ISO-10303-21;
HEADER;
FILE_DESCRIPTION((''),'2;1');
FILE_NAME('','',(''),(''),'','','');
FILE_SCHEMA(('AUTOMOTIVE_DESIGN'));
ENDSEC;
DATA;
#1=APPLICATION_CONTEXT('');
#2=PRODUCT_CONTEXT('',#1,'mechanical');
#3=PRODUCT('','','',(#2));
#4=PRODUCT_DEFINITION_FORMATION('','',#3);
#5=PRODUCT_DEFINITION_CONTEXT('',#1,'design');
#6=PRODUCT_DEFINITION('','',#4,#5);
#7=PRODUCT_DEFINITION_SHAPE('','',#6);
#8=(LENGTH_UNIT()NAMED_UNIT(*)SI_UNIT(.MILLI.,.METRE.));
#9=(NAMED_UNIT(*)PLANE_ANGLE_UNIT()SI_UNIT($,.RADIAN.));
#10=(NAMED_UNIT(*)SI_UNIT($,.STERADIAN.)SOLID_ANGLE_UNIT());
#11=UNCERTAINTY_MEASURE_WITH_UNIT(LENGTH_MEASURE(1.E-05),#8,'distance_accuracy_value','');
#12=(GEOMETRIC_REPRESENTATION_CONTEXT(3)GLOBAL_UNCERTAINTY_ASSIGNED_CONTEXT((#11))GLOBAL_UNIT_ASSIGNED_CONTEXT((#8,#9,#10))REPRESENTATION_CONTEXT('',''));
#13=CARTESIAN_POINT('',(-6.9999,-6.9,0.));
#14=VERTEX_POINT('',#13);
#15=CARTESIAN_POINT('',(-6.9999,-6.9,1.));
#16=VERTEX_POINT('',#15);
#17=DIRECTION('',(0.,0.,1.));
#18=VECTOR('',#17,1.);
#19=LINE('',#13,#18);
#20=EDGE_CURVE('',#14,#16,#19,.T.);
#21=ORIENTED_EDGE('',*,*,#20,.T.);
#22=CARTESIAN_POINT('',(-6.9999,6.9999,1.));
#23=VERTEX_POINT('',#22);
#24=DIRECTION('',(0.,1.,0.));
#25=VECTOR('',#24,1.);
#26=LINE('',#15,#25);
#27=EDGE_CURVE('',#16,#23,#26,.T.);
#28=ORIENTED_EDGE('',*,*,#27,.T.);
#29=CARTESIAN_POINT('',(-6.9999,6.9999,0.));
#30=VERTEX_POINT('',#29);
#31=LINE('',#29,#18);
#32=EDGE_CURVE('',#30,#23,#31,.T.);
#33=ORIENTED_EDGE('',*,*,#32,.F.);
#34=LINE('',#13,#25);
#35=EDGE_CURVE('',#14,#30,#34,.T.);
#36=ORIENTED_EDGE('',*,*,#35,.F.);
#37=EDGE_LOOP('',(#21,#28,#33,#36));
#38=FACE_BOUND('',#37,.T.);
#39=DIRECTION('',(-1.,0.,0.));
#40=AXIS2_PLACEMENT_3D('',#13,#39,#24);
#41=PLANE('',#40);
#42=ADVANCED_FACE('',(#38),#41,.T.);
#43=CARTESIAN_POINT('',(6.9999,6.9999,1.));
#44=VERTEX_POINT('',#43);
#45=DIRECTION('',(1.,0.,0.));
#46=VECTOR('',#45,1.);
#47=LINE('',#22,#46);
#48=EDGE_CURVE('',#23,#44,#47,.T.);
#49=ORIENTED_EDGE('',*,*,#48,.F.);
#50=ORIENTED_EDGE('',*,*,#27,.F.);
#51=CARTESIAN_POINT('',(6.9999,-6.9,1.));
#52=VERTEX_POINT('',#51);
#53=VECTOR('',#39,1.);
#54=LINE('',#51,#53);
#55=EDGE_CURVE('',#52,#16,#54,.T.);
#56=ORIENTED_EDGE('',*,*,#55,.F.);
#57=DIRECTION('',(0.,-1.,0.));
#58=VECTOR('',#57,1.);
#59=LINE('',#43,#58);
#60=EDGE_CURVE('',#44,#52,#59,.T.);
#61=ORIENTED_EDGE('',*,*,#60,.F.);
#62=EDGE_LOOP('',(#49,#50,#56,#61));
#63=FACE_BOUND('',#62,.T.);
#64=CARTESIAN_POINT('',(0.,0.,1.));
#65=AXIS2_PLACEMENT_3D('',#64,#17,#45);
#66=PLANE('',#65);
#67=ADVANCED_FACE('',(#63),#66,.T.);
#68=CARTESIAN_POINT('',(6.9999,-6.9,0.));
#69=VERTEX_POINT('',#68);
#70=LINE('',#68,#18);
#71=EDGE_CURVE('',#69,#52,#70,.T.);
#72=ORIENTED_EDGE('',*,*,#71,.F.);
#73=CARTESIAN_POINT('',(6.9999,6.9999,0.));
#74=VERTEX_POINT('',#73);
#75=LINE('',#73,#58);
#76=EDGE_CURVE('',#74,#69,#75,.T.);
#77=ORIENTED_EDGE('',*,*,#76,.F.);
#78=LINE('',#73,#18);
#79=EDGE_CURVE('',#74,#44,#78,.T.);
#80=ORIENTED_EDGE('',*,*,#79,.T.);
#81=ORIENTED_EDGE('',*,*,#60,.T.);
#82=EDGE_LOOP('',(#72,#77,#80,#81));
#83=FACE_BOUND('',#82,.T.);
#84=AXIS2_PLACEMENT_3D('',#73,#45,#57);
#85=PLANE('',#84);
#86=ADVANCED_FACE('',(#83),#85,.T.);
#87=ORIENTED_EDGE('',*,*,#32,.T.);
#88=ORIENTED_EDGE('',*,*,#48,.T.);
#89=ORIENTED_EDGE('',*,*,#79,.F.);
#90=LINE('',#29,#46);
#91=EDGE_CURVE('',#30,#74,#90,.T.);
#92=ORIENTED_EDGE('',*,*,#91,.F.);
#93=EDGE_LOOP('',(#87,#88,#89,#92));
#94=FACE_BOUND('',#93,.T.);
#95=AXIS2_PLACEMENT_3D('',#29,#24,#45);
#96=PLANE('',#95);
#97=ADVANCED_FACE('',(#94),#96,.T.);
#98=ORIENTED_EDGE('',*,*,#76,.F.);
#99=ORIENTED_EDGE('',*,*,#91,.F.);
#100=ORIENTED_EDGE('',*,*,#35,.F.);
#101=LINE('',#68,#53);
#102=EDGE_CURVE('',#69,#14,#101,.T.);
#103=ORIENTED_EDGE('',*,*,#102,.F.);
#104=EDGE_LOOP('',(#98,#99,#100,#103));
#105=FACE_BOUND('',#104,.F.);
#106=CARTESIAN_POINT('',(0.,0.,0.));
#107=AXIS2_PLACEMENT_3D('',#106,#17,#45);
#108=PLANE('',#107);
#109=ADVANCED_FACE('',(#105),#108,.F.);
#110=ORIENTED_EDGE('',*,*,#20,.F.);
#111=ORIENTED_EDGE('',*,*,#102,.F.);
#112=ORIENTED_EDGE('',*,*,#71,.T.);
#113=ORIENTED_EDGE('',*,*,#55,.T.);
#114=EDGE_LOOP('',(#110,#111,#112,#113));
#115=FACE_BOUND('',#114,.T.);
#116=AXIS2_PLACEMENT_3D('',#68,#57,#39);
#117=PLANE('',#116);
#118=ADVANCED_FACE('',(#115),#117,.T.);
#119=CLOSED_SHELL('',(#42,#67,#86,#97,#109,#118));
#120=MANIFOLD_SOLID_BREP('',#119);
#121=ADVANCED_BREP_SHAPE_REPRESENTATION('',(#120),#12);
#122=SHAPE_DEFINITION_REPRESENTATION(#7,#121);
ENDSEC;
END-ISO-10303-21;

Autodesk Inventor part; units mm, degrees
ref_plane "YZ Plane" through (0, 0, 0) normal (1, 0, 0) x (0, 1, 0)
ref_plane "XZ Plane" through (0, 0, 0) normal (0, 1, 0) x (-1, 0, 0)
ref_plane "XY Plane" through (0, 0, 0) normal (0, 0, 1) x (1, 0, 0)
sketch "SQFP-S-10X10-64, TM4C123GH6PM_44" plane through (0, 0, 0) normal (0, 0, 1) x (1, 0, 0)
  line L0 (-6.9999, 6.9999) -> (6.9999, 6.9999)
  line L1 (6.9999, 6.9999) -> (6.9999, -6.9)
  line L2 (6.9999, -6.9) -> (-6.9999, -6.9)
  line L3 (-6.9999, -6.9) -> (-6.9999, 6.9999)
extrude "Extrusion1" add sketch "SQFP-S-10X10-64, TM4C123GH6PM_44" along normal blind 1
properties part number "TM4C123GH6PM"
